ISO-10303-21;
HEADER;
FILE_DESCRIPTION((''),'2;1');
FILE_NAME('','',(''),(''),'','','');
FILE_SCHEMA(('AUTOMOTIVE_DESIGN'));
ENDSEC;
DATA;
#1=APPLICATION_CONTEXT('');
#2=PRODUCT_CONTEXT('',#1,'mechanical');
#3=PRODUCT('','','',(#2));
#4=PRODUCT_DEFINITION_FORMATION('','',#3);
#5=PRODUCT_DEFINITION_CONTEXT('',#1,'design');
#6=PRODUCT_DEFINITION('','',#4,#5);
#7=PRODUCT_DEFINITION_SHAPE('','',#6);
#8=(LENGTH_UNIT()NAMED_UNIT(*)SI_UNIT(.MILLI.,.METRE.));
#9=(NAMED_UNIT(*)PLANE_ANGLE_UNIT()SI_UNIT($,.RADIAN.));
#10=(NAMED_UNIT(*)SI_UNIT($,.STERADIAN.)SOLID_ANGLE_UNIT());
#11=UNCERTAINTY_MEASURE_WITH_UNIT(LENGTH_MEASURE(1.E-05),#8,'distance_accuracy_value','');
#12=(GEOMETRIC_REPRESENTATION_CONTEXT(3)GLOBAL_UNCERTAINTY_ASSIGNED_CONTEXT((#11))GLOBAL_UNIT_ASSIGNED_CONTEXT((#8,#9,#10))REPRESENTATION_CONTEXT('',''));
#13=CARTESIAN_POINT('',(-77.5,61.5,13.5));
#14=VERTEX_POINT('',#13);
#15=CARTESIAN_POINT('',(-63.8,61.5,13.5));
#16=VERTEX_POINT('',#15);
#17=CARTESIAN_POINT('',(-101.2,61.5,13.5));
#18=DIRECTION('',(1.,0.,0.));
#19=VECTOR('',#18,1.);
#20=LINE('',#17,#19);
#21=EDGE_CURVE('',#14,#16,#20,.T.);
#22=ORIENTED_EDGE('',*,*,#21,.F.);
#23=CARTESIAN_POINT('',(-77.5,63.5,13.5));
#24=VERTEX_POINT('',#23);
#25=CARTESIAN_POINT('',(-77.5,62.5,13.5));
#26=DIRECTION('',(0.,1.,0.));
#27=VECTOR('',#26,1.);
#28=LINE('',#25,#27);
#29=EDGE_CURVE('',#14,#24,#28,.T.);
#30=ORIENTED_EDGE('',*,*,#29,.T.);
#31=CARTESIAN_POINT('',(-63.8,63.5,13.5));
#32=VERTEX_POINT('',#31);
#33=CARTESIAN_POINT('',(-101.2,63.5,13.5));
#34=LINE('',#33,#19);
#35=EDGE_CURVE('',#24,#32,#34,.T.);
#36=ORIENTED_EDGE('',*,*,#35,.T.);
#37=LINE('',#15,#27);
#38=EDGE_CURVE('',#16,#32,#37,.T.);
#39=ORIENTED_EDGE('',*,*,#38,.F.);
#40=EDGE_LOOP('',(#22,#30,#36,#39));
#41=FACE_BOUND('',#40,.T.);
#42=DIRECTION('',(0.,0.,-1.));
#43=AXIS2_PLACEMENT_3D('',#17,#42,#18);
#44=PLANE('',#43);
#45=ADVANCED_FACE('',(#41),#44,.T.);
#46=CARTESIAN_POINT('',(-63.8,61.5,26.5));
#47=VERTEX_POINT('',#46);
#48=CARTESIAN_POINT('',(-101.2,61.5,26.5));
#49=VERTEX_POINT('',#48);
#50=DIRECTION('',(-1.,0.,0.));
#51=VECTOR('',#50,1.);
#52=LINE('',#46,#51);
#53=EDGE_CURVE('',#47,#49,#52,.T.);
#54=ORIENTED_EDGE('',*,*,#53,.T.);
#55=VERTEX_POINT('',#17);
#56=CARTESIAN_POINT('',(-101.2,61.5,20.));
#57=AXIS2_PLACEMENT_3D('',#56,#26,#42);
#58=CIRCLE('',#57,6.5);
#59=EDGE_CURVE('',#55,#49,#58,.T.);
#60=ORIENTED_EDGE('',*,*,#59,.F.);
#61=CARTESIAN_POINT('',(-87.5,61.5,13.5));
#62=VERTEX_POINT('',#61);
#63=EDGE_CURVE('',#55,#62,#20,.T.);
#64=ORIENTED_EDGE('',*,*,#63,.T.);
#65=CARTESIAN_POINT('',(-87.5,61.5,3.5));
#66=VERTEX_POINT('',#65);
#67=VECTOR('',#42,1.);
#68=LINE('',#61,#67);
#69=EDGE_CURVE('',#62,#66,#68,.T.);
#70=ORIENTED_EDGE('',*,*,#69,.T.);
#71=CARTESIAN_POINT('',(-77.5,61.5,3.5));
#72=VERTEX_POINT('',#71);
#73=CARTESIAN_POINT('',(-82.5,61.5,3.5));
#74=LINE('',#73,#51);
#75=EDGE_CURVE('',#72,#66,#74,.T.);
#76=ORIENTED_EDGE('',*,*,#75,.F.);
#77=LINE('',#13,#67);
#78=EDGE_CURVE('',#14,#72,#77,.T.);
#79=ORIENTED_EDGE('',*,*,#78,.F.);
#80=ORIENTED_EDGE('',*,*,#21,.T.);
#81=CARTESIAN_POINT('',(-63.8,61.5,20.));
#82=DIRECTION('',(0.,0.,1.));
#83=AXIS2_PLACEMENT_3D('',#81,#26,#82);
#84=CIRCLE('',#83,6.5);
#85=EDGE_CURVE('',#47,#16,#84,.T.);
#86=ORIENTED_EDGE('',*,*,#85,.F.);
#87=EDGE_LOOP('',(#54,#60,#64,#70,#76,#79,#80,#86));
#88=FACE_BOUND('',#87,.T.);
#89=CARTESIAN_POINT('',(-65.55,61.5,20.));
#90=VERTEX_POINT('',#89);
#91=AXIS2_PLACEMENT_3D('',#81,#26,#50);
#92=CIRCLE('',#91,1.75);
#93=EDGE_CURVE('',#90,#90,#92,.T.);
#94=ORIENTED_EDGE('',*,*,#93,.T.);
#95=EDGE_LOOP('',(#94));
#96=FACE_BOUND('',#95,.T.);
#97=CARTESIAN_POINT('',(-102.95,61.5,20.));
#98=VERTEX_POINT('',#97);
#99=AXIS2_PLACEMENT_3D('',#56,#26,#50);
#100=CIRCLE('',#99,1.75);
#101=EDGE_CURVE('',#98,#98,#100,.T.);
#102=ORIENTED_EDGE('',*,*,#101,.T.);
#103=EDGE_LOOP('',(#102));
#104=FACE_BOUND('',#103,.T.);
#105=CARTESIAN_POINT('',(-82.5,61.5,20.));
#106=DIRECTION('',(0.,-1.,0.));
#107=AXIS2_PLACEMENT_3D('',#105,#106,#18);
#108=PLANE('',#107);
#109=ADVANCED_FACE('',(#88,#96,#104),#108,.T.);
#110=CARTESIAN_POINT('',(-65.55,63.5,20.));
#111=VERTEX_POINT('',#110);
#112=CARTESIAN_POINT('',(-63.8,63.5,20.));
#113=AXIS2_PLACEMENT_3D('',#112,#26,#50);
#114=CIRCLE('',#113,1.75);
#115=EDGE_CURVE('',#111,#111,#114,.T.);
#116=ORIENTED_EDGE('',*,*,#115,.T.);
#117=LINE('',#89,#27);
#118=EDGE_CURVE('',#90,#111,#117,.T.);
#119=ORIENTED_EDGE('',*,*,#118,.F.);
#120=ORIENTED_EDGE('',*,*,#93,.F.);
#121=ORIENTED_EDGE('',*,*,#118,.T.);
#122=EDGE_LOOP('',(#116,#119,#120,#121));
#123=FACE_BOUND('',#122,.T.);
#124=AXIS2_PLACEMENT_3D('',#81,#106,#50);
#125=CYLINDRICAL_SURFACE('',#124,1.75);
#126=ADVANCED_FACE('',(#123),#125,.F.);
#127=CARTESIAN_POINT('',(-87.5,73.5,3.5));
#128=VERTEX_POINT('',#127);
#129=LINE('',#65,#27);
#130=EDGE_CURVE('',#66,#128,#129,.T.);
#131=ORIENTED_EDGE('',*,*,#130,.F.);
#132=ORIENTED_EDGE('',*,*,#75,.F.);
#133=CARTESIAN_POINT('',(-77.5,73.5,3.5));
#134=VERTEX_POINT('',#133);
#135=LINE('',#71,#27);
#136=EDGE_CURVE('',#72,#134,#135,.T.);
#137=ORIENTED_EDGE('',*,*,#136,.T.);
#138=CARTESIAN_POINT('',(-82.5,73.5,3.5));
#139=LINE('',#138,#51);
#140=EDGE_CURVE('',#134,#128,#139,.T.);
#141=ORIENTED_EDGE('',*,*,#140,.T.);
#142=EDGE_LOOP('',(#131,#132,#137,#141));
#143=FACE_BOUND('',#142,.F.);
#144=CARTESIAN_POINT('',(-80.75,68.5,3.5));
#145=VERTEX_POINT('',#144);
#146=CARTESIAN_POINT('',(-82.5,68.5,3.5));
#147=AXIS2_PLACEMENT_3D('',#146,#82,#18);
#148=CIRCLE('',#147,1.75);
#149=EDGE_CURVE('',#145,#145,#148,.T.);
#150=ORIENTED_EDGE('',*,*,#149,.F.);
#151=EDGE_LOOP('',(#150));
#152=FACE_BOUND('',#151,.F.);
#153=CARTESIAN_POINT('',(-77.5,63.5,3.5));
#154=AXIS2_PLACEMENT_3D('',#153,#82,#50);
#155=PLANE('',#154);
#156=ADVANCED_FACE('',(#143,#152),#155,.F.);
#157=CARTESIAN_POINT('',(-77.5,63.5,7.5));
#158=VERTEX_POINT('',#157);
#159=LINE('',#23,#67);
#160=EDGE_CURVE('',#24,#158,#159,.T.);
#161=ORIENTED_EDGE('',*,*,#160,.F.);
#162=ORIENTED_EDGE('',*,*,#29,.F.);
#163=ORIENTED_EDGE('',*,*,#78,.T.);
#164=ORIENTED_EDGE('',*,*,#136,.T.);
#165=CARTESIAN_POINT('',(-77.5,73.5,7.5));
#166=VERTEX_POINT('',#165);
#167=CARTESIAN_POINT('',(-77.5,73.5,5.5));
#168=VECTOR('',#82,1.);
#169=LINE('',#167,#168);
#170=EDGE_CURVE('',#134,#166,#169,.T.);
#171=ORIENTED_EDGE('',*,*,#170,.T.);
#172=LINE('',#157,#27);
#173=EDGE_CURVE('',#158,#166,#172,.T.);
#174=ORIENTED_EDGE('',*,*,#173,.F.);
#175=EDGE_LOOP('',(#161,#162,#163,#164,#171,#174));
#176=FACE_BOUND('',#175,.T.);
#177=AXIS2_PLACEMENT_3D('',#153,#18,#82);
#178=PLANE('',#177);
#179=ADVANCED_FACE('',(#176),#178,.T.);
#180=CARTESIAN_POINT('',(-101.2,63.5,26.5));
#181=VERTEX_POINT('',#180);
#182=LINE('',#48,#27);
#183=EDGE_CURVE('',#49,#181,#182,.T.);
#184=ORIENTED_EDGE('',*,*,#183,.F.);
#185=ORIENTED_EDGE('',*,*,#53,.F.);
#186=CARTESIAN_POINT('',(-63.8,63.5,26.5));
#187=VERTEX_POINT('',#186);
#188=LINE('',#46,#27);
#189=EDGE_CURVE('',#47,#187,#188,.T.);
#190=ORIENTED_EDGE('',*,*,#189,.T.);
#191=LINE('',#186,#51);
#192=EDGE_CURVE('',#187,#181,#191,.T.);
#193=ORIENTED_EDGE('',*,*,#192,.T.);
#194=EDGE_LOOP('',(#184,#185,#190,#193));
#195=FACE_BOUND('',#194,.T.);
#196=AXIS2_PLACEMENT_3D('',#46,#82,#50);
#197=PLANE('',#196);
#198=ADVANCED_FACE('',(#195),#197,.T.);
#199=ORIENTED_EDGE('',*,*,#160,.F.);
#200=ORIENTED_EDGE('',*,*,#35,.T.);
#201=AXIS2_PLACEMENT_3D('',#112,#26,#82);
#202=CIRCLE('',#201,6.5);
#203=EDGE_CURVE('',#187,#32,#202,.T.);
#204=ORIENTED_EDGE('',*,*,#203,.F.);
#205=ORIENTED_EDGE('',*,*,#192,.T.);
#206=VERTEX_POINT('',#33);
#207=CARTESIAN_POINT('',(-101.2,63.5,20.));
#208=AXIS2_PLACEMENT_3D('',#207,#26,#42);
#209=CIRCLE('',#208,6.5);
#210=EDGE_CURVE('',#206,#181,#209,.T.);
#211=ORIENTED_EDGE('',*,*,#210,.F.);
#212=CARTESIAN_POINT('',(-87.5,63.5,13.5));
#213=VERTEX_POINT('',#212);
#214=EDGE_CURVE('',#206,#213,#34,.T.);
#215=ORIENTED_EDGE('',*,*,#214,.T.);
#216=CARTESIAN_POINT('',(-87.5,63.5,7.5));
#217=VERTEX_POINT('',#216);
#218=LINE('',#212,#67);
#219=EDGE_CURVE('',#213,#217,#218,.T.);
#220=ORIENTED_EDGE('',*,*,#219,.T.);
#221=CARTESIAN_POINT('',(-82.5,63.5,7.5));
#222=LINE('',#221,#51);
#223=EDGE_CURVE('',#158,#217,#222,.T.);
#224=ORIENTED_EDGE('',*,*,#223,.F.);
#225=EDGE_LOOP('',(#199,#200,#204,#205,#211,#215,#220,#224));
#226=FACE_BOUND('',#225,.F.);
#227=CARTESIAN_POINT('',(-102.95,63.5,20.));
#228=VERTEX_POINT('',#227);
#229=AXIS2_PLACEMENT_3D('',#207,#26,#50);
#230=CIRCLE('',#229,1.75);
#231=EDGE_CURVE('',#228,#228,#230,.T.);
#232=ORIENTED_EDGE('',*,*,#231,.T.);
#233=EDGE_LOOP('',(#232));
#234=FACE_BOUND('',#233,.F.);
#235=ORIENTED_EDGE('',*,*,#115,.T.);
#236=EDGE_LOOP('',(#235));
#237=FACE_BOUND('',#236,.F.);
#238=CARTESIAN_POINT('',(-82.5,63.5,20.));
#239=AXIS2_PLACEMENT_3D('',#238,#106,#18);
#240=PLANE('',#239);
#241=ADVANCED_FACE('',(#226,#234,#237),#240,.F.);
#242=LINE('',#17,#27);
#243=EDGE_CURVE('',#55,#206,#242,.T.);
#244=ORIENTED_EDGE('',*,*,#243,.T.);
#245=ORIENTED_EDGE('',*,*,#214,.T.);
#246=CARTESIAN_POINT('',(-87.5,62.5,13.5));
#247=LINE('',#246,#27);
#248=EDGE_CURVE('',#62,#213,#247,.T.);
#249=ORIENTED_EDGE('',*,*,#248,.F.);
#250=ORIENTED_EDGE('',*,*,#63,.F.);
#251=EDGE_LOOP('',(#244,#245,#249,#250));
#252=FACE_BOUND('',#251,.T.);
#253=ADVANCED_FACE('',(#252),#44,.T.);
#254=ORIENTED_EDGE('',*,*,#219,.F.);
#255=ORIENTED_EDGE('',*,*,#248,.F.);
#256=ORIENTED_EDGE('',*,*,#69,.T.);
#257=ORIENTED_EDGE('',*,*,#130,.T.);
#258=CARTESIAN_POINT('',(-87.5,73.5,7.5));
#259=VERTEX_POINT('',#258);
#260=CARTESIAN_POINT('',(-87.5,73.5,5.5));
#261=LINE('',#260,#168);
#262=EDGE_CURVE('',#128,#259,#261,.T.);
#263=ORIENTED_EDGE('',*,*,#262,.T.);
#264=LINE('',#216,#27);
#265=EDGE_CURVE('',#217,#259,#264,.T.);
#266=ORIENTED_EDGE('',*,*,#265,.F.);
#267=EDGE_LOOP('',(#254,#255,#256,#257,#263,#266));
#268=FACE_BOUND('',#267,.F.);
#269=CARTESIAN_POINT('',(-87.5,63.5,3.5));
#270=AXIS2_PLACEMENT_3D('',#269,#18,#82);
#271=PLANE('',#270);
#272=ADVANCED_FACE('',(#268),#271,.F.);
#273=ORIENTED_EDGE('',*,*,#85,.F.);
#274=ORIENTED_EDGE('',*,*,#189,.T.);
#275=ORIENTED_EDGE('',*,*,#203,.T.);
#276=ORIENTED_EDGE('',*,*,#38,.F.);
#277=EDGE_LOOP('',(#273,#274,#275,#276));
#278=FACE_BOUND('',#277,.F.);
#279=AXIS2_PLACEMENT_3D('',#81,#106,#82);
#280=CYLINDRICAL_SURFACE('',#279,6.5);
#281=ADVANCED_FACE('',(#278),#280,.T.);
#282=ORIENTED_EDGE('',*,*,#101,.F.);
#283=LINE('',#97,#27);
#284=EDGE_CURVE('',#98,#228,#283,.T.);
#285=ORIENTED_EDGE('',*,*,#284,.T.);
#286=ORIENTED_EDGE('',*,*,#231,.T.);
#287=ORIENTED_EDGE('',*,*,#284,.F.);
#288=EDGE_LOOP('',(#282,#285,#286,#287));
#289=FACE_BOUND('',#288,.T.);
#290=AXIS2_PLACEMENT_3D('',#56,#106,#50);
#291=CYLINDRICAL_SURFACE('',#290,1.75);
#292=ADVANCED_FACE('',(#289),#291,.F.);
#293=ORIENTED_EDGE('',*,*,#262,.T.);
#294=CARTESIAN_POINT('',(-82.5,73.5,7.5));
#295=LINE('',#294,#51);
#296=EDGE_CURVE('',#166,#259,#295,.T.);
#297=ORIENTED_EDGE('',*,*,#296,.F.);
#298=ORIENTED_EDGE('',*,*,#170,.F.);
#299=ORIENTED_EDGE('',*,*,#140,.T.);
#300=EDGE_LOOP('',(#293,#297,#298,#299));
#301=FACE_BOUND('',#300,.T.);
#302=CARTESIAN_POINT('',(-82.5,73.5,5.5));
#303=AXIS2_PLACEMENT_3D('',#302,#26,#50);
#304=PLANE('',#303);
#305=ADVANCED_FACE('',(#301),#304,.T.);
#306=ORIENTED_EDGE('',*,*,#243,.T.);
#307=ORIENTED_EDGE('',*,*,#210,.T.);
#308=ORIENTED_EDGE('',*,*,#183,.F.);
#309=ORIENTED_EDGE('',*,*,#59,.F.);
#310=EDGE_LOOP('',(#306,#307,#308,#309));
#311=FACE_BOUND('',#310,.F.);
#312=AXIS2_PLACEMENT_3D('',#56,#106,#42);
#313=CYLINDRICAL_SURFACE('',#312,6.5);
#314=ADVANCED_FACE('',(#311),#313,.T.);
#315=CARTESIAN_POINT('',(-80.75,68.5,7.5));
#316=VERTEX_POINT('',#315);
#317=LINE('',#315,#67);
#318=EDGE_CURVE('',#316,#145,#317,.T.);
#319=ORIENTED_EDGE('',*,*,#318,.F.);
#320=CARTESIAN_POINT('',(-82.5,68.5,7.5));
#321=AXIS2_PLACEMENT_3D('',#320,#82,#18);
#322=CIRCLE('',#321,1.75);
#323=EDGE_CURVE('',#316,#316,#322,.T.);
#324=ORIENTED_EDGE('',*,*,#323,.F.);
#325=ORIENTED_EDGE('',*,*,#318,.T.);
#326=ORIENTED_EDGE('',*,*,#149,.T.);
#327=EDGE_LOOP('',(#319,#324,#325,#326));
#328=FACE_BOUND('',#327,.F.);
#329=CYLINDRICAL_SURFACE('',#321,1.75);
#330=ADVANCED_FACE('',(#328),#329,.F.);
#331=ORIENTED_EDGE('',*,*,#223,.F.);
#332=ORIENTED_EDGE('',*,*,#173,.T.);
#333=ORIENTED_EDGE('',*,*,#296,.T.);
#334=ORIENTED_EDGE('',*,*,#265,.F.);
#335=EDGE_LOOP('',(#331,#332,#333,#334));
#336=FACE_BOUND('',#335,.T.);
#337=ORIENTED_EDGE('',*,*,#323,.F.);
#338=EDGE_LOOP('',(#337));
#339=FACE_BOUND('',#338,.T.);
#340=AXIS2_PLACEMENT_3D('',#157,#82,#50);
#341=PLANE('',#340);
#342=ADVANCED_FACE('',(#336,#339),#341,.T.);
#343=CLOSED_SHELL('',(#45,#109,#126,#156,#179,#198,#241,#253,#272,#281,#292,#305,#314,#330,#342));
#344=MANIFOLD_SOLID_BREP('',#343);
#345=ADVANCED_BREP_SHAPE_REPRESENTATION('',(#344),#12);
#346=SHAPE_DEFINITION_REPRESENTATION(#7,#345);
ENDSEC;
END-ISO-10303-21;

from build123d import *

# Parameters (mm, degrees)
SKETCH066_R             = 1.75
PAD046_DEPTH            = 2
SKETCH067_W             = 10
SKETCH067_H             = 2
PAD047_DEPTH            = 10
SKETCH068_W             = 10
SKETCH068_H             = 4
PAD048_DEPTH            = 10
SKETCH069_R             = 1.75
POCKET012_DEPTH         = 4.001
BODY015_PLACEMENT_ANGLE = 180


with BuildPart() as part:
    # Sketch066 → Pad046 (new body)
    with BuildSketch(Plane.XZ):
        with BuildLine():
            Line((-18.7, 6.5), (18.7, 6.5))
            ThreePointArc((18.7, -6.5), (25.2, 0), (18.7, 6.5))
            Line((18.7, -6.5), (-18.7, -6.5))
            ThreePointArc((-18.7, 6.5), (-25.2, 0), (-18.7, -6.5))
        make_face()
        with Locations((-18.7, 0)):
            Circle(SKETCH066_R, mode=Mode.SUBTRACT)
        with Locations((18.7, 0)):
            Circle(SKETCH066_R, mode=Mode.SUBTRACT)
    extrude(amount=PAD046_DEPTH)

    # Sketch067 (on Face1 of Pad046) → Pad047 (join)
    with BuildSketch(Plane(origin=(0, 0, -6.5), x_dir=(1, 0, 0), z_dir=(0, 0, -1))):
        with Locations((0, 1)):
            Rectangle(SKETCH067_W, SKETCH067_H)
    extrude(amount=PAD047_DEPTH)

    # Sketch068 (on Face12 of Pad047) → Pad048 (join)
    with BuildSketch(Plane.XZ.offset(2)):
        with Locations((0, -14.5)):
            Rectangle(SKETCH068_W, SKETCH068_H)
    extrude(amount=PAD048_DEPTH)

    # Sketch069 (on Face16 of Pad048) → Pocket012 (cut, through all)
    with BuildSketch(Plane(origin=(0, 0, -12.5), x_dir=(-1, 0, 0), z_dir=(0, 0, 1))):
        with Locations((0, 7)):
            Circle(SKETCH069_R)
    extrude(amount=-POCKET012_DEPTH, mode=Mode.SUBTRACT)


with BuildPart() as part_1:
    # Body015 placement: moved
    add(part.part.moved(Location((-82.5, 61.5, 20))).rotate(Axis((-82.5, 61.5, 20), (0, 0, 1)), BODY015_PLACEMENT_ANGLE))


solid = part_1.part
